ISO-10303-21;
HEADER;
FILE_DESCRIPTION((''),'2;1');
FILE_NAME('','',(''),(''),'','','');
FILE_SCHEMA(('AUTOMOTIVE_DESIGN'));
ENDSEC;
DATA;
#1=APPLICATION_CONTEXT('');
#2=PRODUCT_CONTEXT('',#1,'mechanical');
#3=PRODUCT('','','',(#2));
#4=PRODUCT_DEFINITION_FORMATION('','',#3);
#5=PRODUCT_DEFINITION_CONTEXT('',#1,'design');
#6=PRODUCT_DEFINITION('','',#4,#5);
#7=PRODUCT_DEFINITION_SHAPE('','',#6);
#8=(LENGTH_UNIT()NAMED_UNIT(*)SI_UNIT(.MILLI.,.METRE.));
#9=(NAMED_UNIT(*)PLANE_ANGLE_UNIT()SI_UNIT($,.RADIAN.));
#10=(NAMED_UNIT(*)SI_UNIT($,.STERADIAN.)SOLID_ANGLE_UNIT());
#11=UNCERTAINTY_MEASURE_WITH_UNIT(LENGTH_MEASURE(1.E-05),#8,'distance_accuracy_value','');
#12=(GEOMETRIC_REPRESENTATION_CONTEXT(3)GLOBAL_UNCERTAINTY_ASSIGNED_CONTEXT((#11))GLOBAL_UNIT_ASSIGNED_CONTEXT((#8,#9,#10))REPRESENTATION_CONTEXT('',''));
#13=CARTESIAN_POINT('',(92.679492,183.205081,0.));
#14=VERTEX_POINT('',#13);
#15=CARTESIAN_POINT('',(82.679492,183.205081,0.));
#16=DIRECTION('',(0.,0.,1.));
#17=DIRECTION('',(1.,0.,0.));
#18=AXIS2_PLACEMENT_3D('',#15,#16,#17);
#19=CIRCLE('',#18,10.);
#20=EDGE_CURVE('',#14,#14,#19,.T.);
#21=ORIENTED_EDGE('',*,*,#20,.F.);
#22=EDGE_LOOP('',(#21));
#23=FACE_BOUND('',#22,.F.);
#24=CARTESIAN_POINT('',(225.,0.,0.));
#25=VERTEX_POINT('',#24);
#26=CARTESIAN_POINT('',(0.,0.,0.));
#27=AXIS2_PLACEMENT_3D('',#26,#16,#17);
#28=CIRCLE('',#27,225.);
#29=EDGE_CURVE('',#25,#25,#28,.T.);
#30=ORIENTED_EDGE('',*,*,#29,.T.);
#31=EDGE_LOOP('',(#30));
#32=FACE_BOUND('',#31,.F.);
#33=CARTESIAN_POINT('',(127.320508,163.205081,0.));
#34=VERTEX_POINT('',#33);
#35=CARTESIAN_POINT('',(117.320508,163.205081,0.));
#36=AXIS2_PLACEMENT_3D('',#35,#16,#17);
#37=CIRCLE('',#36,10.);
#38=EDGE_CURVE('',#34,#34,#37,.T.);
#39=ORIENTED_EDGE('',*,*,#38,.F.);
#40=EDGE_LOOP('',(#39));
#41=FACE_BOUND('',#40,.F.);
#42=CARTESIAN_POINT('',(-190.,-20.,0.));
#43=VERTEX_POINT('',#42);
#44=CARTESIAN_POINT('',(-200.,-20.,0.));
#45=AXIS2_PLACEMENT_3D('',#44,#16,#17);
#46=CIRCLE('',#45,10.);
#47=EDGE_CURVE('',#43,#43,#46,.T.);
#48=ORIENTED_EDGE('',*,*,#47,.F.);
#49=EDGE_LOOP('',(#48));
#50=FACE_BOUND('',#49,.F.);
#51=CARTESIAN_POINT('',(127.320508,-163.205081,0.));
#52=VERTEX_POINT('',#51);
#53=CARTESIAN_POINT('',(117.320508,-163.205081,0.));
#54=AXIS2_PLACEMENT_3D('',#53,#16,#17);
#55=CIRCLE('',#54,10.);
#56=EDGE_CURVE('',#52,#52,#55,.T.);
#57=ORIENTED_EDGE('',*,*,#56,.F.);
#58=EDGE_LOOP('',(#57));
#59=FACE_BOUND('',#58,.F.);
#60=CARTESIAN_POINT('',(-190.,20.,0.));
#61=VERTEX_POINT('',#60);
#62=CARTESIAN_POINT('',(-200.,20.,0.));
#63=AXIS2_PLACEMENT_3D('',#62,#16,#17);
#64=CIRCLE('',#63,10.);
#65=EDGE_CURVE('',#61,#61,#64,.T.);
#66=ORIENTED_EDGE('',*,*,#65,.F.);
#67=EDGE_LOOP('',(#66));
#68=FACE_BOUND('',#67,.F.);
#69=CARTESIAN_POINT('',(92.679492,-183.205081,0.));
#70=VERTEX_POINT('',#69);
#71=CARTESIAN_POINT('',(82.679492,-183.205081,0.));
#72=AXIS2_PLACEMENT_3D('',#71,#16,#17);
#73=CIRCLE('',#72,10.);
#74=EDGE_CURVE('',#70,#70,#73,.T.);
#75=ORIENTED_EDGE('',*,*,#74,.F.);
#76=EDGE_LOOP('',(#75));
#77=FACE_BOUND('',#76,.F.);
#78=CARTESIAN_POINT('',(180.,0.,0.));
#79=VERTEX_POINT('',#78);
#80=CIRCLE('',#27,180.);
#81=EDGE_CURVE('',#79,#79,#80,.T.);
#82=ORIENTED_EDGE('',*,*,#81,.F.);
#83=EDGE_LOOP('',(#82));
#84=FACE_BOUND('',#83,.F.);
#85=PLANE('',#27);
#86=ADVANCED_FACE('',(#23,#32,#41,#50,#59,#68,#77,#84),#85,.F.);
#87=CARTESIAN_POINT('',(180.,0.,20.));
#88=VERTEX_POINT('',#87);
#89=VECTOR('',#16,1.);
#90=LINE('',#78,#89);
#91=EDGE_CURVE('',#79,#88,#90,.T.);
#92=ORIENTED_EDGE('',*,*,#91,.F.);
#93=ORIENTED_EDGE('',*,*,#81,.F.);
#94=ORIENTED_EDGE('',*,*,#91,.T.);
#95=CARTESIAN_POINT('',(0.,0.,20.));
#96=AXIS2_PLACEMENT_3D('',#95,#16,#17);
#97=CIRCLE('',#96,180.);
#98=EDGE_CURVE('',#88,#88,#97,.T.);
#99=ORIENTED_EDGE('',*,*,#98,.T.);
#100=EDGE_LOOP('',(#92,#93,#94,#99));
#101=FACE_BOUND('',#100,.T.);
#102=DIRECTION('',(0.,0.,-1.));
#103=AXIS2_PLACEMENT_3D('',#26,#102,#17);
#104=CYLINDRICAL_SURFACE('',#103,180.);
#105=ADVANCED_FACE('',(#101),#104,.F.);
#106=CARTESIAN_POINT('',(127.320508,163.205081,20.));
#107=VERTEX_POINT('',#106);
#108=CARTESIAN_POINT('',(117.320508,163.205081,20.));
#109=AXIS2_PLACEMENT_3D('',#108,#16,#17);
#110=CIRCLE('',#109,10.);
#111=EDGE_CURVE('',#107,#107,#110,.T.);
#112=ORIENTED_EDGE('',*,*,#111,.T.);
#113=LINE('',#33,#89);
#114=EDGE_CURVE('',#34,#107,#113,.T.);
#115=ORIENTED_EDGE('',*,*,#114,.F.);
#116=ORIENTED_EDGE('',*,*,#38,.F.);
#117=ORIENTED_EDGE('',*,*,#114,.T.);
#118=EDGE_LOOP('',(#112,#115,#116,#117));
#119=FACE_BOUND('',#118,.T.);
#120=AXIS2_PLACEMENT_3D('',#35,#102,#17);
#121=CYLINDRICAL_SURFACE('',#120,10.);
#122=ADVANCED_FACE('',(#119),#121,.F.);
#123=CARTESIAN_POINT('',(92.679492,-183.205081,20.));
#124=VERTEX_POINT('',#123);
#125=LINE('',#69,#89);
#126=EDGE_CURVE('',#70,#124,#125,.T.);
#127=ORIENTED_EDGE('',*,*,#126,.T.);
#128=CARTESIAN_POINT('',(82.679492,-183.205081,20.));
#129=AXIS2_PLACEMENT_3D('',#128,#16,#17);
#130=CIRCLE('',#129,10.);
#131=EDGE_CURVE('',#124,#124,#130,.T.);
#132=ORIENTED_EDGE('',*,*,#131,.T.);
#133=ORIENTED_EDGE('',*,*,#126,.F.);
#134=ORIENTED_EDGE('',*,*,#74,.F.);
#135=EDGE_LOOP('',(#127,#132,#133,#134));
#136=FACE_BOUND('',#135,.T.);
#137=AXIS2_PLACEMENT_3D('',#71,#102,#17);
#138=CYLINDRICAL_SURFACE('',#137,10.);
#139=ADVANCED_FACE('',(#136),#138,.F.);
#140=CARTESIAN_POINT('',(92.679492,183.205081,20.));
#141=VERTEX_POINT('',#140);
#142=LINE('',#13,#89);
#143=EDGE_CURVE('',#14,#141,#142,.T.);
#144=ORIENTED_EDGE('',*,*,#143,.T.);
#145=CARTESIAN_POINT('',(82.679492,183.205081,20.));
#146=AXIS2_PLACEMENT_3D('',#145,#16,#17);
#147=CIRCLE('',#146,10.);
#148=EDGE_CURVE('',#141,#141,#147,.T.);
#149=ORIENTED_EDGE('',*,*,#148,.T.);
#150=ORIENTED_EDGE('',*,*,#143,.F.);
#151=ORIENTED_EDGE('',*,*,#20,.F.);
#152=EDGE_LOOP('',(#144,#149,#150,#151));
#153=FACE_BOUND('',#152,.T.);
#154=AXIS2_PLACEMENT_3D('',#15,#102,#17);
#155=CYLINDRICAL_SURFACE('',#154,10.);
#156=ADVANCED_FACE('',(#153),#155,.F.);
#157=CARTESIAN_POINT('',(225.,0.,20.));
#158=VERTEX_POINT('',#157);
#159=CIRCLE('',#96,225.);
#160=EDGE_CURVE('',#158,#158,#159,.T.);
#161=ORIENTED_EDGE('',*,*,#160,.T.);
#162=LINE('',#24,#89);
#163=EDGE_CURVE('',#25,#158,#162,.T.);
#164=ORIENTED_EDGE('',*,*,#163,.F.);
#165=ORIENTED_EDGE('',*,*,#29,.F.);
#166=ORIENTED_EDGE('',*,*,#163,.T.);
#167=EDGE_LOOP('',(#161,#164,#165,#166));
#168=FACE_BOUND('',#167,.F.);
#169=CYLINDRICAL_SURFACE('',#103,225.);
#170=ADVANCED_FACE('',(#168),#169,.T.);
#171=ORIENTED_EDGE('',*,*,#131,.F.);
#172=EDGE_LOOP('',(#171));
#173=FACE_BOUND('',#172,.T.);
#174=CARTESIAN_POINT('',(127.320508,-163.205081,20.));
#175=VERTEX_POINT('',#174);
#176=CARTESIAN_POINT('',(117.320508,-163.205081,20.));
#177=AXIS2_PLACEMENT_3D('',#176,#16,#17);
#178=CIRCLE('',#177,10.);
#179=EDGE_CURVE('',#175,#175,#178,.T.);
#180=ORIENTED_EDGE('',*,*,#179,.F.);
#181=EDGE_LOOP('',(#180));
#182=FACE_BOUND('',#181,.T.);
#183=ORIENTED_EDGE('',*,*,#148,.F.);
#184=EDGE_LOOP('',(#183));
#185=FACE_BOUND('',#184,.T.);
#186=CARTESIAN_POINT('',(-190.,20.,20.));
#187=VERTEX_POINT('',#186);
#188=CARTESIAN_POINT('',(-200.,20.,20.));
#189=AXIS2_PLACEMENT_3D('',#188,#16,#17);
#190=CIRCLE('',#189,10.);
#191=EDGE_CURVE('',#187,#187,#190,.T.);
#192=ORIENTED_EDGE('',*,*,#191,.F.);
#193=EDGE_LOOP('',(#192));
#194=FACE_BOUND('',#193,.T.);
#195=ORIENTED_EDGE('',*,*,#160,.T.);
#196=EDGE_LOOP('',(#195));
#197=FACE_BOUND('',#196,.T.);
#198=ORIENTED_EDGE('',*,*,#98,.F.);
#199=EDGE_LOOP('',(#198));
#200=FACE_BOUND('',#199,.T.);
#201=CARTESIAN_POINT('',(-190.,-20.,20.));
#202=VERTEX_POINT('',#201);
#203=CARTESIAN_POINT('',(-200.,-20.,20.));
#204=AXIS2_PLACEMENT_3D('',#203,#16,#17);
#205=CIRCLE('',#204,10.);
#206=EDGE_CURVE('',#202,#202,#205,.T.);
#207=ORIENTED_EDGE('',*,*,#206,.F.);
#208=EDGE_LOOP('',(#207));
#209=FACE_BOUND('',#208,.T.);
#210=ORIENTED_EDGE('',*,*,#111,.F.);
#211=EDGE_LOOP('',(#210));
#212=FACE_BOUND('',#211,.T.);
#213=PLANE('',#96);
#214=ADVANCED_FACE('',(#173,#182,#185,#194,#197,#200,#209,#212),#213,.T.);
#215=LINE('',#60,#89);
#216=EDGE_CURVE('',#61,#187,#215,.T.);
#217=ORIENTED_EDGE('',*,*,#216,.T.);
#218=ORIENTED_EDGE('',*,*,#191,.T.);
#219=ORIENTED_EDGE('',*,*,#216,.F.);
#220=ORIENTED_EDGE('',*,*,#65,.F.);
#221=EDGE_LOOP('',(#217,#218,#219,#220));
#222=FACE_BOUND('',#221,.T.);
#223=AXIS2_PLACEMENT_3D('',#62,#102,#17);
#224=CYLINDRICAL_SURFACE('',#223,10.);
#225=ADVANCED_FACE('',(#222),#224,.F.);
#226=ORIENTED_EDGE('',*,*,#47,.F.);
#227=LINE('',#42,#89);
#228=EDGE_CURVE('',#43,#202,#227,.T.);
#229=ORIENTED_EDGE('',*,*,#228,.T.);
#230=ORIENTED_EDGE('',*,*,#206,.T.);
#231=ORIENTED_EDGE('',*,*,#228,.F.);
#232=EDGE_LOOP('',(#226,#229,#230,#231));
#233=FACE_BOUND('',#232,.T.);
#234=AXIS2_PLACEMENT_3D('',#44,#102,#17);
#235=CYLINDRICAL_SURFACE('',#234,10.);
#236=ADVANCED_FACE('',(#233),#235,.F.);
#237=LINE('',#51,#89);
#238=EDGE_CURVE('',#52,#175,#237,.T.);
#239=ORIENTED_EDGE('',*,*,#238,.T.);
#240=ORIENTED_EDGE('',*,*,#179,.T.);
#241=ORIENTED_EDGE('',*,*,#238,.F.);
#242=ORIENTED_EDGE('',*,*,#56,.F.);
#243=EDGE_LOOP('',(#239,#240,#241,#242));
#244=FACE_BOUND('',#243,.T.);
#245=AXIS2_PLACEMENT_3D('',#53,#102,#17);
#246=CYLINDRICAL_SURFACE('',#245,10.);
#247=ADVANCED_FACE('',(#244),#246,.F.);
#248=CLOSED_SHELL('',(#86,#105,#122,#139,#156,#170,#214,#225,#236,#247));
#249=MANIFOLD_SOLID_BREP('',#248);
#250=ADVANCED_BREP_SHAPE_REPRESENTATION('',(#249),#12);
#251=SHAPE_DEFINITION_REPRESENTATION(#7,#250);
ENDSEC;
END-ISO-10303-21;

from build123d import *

# Parameters (mm, degrees)
F0_R     = 225
F0_R_2   = 10
F0_R_3   = 180
F1_DEPTH = 20


with BuildPart() as f1:
    # F0 (on Top) → F1 (new body)
    with BuildSketch(Plane.XY):
        Circle(F0_R)
        with Locations((-200, -20)):
            Circle(F0_R_2, mode=Mode.SUBTRACT)
        with Locations((82.679492, -183.205081)):
            Circle(F0_R_2, mode=Mode.SUBTRACT)
        with Locations((117.320508, -163.205081)):
            Circle(F0_R_2, mode=Mode.SUBTRACT)
        with Locations((-200, 20)):
            Circle(F0_R_2, mode=Mode.SUBTRACT)
        Circle(F0_R_3, mode=Mode.SUBTRACT)
        with Locations((82.679492, 183.205081)):
            Circle(F0_R_2, mode=Mode.SUBTRACT)
        with Locations((117.320508, 163.205081)):
            Circle(F0_R_2, mode=Mode.SUBTRACT)
    extrude(amount=F1_DEPTH)


solid = f1.part
